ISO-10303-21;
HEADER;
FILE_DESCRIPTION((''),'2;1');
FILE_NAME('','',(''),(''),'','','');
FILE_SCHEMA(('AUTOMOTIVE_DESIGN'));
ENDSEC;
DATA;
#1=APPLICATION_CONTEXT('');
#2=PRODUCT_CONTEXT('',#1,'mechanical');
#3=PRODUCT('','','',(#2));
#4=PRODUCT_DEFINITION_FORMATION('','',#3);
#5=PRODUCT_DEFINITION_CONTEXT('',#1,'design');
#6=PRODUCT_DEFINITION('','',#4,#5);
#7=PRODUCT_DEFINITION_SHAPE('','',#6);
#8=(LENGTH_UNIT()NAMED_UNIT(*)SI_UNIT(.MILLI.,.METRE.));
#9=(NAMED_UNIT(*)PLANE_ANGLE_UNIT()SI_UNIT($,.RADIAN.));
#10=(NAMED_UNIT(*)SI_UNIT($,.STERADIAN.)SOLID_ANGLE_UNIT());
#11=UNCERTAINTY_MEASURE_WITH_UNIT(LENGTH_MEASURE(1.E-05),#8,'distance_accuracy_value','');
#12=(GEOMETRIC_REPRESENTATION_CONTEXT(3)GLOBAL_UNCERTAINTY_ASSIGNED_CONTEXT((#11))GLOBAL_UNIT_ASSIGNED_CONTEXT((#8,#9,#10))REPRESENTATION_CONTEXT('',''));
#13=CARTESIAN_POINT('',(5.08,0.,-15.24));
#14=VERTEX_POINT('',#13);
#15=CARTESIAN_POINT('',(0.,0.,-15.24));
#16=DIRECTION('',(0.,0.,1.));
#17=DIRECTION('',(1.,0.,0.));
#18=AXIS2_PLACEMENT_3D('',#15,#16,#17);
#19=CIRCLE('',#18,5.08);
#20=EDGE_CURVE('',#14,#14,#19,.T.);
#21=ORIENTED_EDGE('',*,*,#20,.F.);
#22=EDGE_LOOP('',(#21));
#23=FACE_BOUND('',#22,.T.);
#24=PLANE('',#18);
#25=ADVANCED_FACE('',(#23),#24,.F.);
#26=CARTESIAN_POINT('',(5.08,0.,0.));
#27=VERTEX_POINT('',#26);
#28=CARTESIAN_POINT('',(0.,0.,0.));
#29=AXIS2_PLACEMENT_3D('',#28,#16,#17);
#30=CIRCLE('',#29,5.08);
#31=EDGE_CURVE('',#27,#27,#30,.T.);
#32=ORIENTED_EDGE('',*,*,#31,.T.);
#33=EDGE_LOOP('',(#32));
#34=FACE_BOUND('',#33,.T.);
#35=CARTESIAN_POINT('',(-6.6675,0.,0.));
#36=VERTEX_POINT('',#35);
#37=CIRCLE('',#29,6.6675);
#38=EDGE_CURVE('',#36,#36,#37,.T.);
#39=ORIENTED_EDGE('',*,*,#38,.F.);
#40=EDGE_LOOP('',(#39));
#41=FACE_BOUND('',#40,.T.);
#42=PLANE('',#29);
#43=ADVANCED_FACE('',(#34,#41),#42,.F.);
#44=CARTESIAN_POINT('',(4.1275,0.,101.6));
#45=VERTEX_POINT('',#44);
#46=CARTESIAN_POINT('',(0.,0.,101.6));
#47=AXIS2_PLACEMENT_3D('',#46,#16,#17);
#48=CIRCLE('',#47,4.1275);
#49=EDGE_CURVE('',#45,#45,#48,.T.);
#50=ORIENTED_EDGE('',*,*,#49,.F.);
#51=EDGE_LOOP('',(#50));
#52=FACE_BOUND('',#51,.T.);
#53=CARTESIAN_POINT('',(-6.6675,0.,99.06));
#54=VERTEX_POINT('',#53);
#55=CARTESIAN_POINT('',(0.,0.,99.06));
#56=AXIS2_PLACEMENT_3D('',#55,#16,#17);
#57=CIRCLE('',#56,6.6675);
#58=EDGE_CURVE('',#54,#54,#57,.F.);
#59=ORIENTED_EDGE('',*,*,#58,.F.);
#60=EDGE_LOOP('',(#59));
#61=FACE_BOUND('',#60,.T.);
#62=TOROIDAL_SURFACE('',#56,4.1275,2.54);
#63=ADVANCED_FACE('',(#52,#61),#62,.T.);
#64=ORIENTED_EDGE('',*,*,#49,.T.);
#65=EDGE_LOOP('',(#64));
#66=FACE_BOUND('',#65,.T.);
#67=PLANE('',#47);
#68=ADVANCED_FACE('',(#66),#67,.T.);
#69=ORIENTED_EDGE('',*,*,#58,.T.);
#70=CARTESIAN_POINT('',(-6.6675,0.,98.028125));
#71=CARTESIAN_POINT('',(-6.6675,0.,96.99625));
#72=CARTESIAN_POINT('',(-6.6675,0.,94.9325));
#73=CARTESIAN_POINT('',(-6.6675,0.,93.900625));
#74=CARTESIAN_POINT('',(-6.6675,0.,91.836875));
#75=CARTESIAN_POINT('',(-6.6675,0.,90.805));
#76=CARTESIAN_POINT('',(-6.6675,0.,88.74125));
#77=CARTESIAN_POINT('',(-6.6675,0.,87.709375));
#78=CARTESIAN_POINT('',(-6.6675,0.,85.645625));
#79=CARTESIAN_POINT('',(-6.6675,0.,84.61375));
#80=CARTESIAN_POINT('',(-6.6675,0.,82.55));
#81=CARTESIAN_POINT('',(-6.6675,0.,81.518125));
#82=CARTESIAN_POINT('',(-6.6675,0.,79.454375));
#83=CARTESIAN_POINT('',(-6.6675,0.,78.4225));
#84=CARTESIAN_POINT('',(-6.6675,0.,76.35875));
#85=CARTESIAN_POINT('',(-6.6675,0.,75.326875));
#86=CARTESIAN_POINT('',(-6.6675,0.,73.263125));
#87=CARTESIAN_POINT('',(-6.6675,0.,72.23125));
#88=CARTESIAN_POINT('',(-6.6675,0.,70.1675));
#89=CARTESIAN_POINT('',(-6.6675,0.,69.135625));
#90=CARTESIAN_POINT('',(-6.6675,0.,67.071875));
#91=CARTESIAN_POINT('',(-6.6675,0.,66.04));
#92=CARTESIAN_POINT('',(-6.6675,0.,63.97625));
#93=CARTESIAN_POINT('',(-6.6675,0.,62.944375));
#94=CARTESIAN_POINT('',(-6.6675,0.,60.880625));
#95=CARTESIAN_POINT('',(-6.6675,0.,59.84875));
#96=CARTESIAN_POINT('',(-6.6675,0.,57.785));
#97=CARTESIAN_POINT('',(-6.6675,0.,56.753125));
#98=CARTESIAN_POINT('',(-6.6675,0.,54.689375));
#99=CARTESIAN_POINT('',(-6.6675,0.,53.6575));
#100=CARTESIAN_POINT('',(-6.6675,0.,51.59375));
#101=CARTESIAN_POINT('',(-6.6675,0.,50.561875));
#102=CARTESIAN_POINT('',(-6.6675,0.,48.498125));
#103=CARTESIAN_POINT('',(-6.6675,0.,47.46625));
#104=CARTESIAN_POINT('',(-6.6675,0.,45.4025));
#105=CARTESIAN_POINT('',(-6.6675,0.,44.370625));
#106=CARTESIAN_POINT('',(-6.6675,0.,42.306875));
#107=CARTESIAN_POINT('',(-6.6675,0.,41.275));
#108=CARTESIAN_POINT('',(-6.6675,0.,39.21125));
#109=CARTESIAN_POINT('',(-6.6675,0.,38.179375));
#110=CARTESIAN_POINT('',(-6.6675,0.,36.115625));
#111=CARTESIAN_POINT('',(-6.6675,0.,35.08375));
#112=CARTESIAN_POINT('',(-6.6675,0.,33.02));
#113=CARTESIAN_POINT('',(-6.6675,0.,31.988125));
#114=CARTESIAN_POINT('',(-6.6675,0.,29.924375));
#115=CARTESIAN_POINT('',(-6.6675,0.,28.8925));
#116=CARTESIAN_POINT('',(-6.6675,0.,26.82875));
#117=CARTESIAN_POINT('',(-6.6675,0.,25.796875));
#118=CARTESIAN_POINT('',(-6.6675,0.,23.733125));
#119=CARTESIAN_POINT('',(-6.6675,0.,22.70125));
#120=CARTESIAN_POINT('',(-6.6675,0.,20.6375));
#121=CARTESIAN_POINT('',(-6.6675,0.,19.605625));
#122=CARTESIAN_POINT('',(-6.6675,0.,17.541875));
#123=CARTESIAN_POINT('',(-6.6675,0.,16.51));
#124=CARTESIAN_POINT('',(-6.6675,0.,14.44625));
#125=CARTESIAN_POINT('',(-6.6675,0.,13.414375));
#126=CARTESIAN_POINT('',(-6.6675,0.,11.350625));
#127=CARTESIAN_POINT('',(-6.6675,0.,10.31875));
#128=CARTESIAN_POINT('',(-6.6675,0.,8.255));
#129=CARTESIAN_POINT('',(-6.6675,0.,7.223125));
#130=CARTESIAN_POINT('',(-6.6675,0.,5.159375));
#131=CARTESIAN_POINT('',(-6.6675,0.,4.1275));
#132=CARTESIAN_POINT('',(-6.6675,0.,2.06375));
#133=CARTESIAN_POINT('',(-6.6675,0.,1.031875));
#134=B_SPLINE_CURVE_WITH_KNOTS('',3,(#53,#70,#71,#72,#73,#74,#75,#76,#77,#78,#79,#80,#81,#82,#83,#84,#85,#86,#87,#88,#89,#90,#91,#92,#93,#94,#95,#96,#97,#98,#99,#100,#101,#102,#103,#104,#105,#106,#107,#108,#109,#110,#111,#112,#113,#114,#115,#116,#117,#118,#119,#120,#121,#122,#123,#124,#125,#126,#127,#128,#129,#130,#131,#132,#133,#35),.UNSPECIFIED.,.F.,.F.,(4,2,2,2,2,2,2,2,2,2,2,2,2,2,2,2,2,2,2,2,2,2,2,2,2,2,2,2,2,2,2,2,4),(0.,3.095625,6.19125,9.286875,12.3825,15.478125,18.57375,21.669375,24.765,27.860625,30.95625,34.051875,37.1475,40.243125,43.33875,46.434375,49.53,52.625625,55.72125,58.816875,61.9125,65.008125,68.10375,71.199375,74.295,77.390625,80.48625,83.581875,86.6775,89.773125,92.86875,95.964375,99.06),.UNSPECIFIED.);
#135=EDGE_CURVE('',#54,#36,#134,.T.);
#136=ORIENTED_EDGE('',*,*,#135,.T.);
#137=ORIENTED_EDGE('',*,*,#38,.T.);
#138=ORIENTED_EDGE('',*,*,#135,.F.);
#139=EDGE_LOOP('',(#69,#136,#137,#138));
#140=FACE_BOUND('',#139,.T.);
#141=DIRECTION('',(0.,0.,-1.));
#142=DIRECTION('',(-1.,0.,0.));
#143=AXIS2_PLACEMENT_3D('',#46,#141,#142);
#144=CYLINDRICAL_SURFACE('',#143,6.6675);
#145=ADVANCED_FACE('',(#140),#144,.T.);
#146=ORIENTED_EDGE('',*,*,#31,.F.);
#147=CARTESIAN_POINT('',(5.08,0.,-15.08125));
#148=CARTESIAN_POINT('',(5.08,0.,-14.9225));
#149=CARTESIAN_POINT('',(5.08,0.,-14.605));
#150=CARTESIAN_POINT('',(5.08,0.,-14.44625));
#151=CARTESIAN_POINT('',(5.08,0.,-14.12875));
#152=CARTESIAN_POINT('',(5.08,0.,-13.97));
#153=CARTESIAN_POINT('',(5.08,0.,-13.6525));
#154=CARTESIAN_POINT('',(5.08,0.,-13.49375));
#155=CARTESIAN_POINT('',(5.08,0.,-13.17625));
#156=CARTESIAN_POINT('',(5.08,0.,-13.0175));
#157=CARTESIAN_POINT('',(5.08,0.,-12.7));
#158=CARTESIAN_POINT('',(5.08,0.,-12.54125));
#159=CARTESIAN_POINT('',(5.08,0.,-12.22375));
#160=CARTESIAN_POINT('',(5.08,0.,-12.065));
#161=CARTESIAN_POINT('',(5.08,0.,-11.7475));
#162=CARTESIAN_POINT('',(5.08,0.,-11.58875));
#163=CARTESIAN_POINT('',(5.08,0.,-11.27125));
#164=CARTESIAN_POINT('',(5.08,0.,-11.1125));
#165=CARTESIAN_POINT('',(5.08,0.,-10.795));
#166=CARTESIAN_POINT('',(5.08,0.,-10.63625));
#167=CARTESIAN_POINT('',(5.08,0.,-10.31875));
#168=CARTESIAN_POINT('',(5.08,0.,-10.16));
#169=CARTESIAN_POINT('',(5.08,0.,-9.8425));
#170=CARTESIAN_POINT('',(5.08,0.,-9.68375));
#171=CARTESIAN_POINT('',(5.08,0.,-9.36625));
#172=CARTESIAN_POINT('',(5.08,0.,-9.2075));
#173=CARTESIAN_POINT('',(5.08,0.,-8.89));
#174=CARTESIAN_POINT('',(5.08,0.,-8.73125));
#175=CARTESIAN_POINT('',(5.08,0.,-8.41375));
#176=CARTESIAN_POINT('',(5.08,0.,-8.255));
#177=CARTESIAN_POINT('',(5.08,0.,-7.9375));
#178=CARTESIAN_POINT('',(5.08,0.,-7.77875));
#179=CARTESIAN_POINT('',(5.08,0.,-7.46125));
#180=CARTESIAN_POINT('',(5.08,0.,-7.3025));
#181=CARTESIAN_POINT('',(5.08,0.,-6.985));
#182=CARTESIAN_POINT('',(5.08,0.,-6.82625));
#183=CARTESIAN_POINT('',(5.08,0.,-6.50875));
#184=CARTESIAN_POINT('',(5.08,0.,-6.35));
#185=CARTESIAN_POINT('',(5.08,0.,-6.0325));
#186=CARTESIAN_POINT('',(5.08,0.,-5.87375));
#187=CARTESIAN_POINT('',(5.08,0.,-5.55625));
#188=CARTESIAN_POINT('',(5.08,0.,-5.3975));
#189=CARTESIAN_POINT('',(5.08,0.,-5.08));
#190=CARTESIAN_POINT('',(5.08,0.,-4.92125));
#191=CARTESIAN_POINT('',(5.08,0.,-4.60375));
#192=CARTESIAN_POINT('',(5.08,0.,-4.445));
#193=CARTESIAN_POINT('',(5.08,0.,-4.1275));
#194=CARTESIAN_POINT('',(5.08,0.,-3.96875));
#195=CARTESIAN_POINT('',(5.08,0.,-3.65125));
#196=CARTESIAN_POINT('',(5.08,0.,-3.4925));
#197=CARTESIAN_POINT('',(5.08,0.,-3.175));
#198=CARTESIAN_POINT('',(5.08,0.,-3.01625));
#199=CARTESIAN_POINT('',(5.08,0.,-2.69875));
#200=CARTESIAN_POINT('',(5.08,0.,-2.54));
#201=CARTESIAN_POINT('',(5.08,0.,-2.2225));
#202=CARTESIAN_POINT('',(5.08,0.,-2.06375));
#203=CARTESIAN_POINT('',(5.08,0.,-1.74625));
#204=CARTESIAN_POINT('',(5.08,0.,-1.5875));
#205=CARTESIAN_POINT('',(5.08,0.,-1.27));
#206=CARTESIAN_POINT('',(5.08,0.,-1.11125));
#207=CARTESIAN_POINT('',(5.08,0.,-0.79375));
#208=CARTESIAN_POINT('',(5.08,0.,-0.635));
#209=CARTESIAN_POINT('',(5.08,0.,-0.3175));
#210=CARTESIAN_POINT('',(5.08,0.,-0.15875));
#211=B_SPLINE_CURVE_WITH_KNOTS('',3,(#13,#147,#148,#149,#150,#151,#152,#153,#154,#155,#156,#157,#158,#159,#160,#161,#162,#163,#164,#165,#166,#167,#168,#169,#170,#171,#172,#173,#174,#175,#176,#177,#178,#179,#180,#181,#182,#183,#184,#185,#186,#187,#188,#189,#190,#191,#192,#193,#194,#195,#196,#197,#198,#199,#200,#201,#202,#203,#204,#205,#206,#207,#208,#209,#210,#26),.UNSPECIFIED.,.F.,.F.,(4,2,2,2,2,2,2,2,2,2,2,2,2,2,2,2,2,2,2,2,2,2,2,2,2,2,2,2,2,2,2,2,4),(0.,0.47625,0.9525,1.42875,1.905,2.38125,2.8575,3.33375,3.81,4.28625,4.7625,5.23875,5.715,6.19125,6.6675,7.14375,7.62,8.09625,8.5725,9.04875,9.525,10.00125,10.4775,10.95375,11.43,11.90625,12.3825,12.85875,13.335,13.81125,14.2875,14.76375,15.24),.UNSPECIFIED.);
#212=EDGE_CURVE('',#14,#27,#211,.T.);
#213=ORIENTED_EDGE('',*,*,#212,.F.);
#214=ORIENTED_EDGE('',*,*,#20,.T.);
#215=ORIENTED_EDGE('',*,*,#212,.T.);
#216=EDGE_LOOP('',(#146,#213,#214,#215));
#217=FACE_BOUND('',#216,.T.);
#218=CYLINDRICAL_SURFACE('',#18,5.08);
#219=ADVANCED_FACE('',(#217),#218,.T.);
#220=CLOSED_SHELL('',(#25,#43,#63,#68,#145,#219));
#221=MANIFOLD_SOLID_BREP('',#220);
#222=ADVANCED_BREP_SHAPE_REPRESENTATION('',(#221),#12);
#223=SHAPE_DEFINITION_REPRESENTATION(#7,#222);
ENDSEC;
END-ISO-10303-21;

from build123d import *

# Parameters (mm, degrees)
SKETCH1_R           = 5.08
BOSS_EXTRUDE1_DEPTH = 15.24
SKETCH2_R           = 6.6675
BOSS_EXTRUDE2_DEPTH = 101.6
FILLET1_R           = 2.54


with BuildPart() as part:
    # Sketch1 → Boss-Extrude1 (new body)
    with BuildSketch(Plane.XY):
        Circle(SKETCH1_R)
    extrude(amount=-BOSS_EXTRUDE1_DEPTH)

    # Sketch2 → Boss-Extrude2 (add)
    with BuildSketch(Plane.XY):
        with Locations(Location((0, 0, 0), (0, 0, 180))):
            Circle(SKETCH2_R)
    extrude(amount=BOSS_EXTRUDE2_DEPTH)

    # Fillet1
    fillet1_edges = [part.edges().sort_by_distance(p)[0] for p in [
        (6.6675, 0, 101.6),
    ]]
    fillet(fillet1_edges, radius=FILLET1_R)


solid = part.part
